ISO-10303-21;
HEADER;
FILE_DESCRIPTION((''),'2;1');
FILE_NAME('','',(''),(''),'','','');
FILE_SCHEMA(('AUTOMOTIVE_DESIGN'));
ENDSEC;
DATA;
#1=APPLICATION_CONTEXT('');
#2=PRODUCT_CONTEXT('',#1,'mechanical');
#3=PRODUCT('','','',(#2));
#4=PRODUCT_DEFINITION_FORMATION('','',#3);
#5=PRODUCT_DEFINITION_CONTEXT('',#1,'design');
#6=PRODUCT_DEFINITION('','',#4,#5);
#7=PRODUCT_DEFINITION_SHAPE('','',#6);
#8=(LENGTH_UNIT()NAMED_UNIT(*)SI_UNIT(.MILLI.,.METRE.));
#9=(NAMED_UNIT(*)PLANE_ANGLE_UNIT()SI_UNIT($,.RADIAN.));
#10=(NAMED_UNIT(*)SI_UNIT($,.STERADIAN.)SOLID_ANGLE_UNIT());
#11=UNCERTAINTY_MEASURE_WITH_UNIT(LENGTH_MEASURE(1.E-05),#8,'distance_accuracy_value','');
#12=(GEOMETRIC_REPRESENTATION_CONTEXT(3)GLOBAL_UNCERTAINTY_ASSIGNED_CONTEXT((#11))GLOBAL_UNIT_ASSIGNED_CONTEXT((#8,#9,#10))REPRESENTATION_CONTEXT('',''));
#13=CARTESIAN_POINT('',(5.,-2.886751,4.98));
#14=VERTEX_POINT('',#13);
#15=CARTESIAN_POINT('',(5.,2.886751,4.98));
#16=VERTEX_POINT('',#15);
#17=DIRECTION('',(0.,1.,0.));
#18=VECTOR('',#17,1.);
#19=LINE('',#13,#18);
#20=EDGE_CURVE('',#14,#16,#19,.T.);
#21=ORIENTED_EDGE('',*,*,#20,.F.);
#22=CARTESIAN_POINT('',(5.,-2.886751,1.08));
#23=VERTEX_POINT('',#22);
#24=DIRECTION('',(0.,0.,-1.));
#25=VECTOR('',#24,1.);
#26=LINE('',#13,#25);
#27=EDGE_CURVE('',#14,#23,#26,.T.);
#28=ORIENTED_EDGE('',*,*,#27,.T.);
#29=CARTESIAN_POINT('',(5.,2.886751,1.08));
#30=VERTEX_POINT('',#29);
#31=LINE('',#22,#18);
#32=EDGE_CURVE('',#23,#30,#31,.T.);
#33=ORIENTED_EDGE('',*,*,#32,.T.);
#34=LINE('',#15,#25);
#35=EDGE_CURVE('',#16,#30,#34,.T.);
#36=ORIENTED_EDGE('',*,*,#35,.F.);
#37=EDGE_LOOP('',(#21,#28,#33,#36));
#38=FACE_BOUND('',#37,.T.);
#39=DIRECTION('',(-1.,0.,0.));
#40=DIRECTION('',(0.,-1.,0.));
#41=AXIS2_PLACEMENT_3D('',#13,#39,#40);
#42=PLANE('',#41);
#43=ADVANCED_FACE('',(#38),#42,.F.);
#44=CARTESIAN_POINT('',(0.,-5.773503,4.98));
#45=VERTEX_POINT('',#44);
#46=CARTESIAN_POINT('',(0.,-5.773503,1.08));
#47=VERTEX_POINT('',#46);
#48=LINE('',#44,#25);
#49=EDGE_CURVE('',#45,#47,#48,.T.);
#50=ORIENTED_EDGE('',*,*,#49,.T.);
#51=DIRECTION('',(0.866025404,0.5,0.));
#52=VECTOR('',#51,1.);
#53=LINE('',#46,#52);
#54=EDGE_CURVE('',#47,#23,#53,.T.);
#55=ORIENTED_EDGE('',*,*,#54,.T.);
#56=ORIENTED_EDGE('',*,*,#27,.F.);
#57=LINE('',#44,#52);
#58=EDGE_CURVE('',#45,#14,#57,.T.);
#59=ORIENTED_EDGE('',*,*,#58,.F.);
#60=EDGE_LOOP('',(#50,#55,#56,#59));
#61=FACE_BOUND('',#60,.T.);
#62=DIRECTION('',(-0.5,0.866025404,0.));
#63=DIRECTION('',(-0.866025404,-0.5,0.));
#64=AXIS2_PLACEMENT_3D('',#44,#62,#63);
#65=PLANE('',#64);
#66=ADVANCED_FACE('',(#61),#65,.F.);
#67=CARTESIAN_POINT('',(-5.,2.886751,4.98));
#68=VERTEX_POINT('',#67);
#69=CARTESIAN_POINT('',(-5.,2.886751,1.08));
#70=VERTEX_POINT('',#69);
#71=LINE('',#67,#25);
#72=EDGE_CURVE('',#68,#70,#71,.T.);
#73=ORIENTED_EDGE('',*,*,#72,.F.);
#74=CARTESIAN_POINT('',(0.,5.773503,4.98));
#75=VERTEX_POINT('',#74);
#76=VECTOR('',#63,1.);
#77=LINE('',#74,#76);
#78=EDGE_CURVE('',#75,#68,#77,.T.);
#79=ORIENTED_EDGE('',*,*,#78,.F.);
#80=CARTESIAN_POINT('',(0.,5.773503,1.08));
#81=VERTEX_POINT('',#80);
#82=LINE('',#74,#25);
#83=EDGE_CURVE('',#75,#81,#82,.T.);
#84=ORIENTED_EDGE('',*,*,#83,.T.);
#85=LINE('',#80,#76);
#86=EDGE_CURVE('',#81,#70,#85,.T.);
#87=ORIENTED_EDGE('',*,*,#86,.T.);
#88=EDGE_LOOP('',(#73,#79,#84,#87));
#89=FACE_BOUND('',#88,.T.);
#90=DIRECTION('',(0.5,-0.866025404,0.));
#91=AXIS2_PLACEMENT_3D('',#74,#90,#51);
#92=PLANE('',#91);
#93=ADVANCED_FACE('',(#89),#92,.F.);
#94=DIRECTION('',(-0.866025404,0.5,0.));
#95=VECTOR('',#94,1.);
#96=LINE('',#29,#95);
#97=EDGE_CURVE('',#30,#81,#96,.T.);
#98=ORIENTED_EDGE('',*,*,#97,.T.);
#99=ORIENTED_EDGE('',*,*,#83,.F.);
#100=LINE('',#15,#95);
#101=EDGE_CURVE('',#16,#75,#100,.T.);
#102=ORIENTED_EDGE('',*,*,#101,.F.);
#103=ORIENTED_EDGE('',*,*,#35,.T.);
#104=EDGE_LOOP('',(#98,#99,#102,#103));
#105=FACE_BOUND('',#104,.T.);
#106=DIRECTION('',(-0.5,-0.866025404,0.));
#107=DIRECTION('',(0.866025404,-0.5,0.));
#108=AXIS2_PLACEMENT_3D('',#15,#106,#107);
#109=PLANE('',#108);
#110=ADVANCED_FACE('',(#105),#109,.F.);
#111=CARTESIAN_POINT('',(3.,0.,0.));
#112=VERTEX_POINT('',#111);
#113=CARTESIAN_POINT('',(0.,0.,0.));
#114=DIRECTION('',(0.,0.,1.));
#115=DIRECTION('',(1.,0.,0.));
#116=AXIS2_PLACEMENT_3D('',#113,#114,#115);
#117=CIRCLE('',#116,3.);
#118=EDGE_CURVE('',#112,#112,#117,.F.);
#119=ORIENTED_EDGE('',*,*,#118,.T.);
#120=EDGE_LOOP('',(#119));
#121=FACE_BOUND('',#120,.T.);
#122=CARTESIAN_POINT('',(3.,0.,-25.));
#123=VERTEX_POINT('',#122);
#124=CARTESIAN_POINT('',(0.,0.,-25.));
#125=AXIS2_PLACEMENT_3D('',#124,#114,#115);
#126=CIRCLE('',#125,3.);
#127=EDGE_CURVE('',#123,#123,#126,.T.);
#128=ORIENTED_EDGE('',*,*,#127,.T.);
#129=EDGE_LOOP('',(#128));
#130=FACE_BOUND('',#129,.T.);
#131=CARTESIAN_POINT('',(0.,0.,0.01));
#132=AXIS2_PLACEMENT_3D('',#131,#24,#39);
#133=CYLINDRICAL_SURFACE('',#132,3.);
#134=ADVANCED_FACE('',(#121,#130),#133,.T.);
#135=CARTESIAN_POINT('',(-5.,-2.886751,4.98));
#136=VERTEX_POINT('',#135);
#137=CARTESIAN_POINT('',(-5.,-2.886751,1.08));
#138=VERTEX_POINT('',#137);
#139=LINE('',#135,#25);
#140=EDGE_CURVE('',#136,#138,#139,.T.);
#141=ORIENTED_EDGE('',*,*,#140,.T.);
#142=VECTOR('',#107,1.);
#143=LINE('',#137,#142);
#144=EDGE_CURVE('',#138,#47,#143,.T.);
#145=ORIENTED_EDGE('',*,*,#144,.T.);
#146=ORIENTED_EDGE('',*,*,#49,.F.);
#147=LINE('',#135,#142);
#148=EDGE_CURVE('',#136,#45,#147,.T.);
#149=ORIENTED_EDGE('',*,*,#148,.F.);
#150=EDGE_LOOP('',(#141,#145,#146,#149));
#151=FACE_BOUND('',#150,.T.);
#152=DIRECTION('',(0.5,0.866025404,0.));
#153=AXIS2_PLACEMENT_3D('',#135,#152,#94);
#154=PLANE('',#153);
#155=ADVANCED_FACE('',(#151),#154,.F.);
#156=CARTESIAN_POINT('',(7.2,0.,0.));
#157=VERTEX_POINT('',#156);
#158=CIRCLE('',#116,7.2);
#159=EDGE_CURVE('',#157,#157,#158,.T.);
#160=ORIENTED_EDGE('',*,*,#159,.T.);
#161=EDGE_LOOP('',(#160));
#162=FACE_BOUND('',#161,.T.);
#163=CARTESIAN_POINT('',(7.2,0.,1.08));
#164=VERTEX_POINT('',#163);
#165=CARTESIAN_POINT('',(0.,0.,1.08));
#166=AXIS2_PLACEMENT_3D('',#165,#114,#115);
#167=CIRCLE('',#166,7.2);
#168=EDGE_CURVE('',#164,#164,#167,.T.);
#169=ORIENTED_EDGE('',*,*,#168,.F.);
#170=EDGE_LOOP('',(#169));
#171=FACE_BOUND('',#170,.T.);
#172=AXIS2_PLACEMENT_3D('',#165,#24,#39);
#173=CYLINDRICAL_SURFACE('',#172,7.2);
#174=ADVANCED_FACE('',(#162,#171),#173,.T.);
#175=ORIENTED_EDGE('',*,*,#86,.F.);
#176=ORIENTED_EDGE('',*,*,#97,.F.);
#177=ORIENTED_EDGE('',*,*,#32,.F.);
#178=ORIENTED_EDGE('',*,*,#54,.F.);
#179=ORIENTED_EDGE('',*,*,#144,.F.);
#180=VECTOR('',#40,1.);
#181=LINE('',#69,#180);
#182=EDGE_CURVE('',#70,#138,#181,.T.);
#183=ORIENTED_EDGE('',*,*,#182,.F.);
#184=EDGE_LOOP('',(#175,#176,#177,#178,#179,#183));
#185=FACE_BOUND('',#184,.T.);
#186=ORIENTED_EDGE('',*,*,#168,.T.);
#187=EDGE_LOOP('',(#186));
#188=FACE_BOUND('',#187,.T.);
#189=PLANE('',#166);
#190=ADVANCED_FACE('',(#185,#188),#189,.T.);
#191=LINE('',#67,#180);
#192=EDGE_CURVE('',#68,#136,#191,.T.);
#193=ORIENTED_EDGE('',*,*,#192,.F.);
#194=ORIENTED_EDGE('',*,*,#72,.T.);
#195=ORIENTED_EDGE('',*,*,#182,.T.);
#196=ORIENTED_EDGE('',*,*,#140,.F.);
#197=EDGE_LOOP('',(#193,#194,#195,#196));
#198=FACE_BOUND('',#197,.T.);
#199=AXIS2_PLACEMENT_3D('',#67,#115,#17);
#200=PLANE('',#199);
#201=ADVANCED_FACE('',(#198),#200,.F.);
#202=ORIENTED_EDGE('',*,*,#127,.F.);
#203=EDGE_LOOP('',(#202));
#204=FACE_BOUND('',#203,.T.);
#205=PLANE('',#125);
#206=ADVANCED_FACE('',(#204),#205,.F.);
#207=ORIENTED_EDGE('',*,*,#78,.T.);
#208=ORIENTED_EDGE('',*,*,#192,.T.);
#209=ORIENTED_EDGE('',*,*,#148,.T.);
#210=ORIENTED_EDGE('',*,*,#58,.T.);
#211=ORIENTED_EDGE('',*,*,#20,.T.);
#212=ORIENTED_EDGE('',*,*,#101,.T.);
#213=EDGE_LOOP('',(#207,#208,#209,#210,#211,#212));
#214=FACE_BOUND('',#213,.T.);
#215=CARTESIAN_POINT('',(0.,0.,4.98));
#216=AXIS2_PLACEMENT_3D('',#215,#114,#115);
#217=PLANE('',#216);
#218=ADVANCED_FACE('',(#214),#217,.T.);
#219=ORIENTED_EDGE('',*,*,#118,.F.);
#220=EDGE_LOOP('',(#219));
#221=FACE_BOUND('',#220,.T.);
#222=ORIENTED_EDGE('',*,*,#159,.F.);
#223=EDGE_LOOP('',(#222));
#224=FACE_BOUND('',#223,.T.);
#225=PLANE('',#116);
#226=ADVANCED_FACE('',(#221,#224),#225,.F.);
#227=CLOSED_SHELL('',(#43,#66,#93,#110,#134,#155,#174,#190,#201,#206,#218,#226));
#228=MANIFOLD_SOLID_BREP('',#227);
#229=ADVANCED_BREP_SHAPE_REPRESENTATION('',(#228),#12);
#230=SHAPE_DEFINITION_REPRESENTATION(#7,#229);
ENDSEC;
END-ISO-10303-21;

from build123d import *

# Parameters (mm, degrees)
EXTRUDE_SKETCH_1_R = 7.2
EXTRUDE_1_DEPTH    = 1.08
EXTRUDE_START      = 1.08
EXTRUDE_2_DEPTH    = 3.9
EXTRUDE_START_2    = -25
EXTRUDE_SKETCH_3_R = 3
EXTRUDE_3_DEPTH    = 25.01


with BuildPart() as part:
    # Extrude sketch 1 → Extrude 1 (new body)
    with BuildSketch(Plane.XY):
        Circle(EXTRUDE_SKETCH_1_R)
    extrude(amount=EXTRUDE_1_DEPTH)


with BuildPart() as body_2:
    # Extrude sketch 2 → Extrude 2 (new body)
    with BuildSketch(Plane.XY.offset(EXTRUDE_START)):
        Polygon((5, 2.886751346), (0, 5.773502692), (-5, 2.886751346), (-5, -2.886751346), (0, -5.773502692), (5, -2.886751346), align=None)
    extrude(amount=EXTRUDE_2_DEPTH)


with BuildPart() as body_3:
    # Extrude sketch 3 → Extrude 3 (new body)
    with BuildSketch(Plane.XY.offset(EXTRUDE_START_2)):
        Circle(EXTRUDE_SKETCH_3_R)
    extrude(amount=EXTRUDE_3_DEPTH)


with BuildPart() as body_2_1:
    add(body_2.part)

    # Combine (weld / assembly of features): union part, body 3
    add(part.part)
    add(body_3.part)


solid = body_2_1.part
